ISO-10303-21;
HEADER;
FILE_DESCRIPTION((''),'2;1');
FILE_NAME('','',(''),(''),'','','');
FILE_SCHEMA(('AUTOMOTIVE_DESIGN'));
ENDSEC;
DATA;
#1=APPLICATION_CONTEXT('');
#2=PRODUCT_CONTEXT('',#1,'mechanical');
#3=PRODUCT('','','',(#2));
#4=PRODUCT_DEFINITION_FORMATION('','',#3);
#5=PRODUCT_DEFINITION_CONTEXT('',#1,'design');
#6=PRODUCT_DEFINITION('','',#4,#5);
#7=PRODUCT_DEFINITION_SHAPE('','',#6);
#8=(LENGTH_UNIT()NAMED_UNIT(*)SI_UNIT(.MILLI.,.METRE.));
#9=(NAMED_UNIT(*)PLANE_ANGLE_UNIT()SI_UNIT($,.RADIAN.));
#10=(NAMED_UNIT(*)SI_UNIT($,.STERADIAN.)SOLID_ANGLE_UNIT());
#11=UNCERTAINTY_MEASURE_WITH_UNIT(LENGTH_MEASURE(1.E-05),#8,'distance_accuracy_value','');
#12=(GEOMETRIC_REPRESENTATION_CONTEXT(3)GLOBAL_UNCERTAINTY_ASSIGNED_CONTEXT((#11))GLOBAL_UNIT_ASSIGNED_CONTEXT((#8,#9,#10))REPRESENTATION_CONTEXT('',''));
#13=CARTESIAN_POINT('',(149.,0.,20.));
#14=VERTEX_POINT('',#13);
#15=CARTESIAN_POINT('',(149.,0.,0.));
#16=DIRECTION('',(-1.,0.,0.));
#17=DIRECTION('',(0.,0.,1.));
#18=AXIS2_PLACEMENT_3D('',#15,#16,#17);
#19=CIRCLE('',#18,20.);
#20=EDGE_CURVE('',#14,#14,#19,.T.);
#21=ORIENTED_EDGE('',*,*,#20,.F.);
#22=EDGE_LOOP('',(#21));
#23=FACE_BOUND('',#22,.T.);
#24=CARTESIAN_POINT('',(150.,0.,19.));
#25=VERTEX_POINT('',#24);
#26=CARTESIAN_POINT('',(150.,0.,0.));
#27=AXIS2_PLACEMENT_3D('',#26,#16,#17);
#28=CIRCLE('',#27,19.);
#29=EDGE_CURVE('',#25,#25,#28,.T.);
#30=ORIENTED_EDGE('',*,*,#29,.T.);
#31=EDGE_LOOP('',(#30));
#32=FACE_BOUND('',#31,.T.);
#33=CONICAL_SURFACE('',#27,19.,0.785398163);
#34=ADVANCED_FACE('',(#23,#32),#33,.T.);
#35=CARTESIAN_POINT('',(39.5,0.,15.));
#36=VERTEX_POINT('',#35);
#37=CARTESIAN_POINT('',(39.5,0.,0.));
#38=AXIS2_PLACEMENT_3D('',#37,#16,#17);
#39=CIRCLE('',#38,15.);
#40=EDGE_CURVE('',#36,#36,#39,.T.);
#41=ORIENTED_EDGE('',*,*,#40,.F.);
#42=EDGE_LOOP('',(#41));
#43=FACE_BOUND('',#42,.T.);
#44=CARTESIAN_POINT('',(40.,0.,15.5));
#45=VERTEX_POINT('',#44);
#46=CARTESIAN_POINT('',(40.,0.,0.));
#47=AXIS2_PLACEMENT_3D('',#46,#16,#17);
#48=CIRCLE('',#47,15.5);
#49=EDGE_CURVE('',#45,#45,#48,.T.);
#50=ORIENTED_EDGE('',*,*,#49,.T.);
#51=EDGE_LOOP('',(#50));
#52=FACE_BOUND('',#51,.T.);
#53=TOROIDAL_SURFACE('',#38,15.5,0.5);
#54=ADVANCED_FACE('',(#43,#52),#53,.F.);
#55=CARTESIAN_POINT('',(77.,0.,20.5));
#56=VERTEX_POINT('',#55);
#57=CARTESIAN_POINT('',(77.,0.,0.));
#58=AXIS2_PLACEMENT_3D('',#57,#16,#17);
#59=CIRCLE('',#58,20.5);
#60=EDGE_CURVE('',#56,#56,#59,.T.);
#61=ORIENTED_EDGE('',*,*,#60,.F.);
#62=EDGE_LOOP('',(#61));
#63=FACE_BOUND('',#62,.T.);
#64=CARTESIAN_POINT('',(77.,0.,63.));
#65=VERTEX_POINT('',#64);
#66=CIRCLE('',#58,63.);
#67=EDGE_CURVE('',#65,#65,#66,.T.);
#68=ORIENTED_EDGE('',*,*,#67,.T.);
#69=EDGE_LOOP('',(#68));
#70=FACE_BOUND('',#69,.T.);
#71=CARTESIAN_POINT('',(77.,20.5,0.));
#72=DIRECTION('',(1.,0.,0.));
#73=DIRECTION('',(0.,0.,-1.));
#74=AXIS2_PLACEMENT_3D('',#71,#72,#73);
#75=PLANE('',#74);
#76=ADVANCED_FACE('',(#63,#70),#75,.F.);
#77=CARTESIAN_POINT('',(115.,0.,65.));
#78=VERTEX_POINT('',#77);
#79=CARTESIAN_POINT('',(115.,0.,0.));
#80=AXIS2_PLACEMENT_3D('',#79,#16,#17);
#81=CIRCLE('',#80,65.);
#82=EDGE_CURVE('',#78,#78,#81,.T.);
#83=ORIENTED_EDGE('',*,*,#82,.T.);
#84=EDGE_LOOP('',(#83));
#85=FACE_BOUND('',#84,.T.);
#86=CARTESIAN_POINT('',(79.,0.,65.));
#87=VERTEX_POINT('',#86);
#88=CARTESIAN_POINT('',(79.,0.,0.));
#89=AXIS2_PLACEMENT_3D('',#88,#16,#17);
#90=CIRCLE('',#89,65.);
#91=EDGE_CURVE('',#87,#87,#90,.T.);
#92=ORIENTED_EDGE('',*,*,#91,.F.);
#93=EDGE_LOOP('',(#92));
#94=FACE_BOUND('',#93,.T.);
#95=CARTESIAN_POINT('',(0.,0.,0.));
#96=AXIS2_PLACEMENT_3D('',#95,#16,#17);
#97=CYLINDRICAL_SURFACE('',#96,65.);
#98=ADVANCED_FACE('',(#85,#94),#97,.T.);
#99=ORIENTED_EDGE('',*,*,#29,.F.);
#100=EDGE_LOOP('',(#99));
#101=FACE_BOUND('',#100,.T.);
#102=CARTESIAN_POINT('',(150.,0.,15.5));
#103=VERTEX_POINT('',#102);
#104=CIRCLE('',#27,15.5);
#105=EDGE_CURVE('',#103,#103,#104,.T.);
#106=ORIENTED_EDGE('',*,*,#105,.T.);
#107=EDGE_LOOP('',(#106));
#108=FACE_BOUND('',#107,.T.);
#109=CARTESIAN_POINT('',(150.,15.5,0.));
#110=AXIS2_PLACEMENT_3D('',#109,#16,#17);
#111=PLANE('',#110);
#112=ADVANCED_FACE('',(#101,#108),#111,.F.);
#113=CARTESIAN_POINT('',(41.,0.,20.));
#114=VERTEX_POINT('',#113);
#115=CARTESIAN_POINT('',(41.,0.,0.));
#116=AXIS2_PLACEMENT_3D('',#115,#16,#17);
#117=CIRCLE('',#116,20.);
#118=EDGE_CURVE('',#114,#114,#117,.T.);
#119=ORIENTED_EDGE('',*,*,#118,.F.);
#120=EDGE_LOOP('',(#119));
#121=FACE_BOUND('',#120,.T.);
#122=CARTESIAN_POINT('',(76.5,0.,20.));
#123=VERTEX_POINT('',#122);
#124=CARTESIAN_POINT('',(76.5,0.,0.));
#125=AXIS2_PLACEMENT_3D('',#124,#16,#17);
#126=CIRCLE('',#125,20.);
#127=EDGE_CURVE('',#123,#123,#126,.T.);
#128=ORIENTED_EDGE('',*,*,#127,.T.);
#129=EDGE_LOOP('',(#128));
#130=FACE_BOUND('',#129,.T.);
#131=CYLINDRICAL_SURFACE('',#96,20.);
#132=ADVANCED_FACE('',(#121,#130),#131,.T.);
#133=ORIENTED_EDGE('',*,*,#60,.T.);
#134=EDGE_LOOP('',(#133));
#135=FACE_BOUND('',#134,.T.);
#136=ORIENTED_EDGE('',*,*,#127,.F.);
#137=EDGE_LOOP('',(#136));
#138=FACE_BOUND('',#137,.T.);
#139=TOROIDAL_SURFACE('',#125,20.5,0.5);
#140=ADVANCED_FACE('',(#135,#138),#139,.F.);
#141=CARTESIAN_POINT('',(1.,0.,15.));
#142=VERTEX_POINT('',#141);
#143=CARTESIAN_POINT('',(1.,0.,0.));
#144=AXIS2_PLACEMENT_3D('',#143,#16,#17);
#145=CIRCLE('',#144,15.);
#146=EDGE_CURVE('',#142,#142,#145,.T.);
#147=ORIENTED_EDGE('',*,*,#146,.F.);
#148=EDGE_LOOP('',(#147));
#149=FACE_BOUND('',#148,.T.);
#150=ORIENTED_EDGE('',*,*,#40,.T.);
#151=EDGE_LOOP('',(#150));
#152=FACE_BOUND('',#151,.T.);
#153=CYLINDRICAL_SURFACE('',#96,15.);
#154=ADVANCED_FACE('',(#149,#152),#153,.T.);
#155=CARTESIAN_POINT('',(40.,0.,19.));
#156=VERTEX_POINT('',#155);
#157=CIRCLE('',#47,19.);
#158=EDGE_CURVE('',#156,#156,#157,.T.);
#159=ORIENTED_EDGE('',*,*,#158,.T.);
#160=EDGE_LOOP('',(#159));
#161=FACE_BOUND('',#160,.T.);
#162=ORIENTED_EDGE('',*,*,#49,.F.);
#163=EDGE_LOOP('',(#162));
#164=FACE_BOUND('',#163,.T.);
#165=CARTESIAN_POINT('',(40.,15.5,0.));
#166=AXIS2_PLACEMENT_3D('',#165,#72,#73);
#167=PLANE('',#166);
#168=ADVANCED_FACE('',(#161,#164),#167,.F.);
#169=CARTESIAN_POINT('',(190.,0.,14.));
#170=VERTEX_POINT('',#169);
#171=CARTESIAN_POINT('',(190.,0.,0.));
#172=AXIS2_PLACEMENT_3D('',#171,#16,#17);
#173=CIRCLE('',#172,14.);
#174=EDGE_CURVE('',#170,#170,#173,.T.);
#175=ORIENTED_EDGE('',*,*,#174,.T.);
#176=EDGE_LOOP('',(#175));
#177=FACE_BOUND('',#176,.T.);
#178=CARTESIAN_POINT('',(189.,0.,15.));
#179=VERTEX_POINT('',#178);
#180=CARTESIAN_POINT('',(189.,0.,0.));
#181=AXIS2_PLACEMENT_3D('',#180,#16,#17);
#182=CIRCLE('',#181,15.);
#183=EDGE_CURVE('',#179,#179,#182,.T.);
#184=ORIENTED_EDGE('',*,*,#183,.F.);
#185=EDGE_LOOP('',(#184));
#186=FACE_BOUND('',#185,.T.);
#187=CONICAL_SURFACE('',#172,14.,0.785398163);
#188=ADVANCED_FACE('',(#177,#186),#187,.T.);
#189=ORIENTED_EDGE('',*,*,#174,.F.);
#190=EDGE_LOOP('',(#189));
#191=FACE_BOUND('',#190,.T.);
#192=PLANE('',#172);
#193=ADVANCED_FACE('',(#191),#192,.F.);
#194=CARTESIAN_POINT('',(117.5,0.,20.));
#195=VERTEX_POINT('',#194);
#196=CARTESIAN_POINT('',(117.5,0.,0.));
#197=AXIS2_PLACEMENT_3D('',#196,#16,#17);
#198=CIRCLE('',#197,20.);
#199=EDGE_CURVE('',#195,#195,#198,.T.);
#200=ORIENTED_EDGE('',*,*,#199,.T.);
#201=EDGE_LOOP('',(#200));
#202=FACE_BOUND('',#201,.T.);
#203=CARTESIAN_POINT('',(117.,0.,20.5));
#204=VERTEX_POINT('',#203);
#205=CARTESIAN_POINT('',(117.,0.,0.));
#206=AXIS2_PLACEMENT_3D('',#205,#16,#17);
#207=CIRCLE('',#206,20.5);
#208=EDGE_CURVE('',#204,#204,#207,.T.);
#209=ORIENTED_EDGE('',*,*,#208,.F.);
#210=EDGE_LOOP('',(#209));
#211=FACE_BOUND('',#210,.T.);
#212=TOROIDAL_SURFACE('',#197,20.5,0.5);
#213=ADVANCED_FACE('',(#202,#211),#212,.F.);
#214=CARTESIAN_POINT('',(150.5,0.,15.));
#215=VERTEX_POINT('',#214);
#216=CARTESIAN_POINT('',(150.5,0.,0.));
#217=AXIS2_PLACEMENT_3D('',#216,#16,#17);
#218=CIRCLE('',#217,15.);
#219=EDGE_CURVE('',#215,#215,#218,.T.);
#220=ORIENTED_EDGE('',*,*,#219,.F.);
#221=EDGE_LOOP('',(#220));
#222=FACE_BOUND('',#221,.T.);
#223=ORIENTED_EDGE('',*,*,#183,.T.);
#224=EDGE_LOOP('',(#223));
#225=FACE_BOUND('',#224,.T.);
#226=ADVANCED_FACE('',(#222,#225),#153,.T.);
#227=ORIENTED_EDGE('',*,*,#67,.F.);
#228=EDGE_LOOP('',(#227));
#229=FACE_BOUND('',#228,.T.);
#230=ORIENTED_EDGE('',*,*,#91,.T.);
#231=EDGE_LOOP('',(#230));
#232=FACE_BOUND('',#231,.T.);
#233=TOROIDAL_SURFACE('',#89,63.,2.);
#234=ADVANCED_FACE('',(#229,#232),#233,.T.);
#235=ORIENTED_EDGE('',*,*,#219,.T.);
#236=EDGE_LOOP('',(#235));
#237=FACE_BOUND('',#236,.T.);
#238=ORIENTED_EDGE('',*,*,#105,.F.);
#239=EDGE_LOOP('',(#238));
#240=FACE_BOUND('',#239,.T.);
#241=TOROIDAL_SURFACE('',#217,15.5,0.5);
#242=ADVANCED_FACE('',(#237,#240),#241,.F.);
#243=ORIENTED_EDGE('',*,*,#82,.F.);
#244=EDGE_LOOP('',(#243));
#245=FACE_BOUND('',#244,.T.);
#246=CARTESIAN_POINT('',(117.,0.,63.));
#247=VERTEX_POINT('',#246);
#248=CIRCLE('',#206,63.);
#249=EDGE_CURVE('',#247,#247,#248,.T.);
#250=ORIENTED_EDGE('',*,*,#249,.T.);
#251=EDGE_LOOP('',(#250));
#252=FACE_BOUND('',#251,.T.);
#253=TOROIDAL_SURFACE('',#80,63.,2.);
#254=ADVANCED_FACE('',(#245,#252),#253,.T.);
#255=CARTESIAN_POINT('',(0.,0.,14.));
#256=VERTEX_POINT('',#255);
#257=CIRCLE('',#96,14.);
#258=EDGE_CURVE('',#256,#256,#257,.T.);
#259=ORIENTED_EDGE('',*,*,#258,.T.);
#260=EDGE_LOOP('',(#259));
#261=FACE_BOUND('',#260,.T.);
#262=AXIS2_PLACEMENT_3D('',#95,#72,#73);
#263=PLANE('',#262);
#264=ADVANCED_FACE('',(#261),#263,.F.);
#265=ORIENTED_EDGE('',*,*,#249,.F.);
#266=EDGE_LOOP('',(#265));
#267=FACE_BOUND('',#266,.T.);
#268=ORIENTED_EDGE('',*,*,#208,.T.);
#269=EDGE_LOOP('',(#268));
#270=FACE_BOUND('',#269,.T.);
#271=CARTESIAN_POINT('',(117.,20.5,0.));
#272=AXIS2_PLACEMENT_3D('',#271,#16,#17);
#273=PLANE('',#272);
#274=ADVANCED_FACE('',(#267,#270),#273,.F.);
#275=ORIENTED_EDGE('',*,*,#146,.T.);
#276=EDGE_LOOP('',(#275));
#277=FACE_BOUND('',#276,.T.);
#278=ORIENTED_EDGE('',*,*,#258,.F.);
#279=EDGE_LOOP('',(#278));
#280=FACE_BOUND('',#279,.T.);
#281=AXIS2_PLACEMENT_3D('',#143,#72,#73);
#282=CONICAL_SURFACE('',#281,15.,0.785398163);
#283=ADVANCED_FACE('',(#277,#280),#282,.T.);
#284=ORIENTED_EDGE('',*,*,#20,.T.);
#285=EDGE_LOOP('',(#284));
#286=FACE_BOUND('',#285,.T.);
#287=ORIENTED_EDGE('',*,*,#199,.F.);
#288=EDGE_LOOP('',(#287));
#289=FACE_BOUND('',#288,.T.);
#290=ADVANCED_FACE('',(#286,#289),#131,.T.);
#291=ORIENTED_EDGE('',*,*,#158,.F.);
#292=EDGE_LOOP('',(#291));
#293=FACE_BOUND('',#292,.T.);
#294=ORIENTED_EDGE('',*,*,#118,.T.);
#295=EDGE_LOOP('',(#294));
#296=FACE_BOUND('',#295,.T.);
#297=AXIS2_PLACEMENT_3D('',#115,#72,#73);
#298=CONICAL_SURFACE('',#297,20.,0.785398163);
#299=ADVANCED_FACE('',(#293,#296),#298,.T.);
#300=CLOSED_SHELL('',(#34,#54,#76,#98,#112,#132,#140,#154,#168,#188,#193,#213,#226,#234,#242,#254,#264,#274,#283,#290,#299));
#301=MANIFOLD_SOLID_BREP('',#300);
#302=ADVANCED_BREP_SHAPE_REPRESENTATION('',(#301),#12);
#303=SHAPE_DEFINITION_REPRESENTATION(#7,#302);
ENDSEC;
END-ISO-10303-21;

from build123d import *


with BuildPart() as part:
    # 草图1 → 旋转1 (revolve)
    with BuildSketch(Plane.XY):
        with BuildLine():
            Line((0, 0), (190, 0))
            Line((190, 0), (190, 14))
            Line((190, 14), (189, 15))
            Line((189, 15), (150.5, 15))
            ThreePointArc((150.5, 15), (150.146446609, 15.146446609), (150, 15.5))
            Line((150, 15.5), (150, 19))
            Line((150, 19), (149, 20))
            Line((149, 20), (117.5, 20))
            ThreePointArc((117.5, 20), (117.146446609, 20.146446609), (117, 20.5))
            Line((117, 20.5), (117, 63))
            ThreePointArc((117, 63), (116.414213562, 64.414213562), (115, 65))
            Line((115, 65), (79, 65))
            ThreePointArc((79, 65), (77.585786438, 64.414213562), (77, 63))
            Line((77, 63), (77, 20.5))
            ThreePointArc((77, 20.5), (76.853553391, 20.146446609), (76.5, 20))
            Line((76.5, 20), (41, 20))
            Line((41, 20), (40, 19))
            Line((40, 19), (40, 15.5))
            ThreePointArc((40, 15.5), (39.853553391, 15.146446609), (39.5, 15))
            Line((39.5, 15), (1, 15))
            Line((1, 15), (0, 14))
            Line((0, 14), (0, 0))
        make_face()
    revolve(axis=Axis((0, 0, 0), (1, 0, 0)))


solid = part.part
